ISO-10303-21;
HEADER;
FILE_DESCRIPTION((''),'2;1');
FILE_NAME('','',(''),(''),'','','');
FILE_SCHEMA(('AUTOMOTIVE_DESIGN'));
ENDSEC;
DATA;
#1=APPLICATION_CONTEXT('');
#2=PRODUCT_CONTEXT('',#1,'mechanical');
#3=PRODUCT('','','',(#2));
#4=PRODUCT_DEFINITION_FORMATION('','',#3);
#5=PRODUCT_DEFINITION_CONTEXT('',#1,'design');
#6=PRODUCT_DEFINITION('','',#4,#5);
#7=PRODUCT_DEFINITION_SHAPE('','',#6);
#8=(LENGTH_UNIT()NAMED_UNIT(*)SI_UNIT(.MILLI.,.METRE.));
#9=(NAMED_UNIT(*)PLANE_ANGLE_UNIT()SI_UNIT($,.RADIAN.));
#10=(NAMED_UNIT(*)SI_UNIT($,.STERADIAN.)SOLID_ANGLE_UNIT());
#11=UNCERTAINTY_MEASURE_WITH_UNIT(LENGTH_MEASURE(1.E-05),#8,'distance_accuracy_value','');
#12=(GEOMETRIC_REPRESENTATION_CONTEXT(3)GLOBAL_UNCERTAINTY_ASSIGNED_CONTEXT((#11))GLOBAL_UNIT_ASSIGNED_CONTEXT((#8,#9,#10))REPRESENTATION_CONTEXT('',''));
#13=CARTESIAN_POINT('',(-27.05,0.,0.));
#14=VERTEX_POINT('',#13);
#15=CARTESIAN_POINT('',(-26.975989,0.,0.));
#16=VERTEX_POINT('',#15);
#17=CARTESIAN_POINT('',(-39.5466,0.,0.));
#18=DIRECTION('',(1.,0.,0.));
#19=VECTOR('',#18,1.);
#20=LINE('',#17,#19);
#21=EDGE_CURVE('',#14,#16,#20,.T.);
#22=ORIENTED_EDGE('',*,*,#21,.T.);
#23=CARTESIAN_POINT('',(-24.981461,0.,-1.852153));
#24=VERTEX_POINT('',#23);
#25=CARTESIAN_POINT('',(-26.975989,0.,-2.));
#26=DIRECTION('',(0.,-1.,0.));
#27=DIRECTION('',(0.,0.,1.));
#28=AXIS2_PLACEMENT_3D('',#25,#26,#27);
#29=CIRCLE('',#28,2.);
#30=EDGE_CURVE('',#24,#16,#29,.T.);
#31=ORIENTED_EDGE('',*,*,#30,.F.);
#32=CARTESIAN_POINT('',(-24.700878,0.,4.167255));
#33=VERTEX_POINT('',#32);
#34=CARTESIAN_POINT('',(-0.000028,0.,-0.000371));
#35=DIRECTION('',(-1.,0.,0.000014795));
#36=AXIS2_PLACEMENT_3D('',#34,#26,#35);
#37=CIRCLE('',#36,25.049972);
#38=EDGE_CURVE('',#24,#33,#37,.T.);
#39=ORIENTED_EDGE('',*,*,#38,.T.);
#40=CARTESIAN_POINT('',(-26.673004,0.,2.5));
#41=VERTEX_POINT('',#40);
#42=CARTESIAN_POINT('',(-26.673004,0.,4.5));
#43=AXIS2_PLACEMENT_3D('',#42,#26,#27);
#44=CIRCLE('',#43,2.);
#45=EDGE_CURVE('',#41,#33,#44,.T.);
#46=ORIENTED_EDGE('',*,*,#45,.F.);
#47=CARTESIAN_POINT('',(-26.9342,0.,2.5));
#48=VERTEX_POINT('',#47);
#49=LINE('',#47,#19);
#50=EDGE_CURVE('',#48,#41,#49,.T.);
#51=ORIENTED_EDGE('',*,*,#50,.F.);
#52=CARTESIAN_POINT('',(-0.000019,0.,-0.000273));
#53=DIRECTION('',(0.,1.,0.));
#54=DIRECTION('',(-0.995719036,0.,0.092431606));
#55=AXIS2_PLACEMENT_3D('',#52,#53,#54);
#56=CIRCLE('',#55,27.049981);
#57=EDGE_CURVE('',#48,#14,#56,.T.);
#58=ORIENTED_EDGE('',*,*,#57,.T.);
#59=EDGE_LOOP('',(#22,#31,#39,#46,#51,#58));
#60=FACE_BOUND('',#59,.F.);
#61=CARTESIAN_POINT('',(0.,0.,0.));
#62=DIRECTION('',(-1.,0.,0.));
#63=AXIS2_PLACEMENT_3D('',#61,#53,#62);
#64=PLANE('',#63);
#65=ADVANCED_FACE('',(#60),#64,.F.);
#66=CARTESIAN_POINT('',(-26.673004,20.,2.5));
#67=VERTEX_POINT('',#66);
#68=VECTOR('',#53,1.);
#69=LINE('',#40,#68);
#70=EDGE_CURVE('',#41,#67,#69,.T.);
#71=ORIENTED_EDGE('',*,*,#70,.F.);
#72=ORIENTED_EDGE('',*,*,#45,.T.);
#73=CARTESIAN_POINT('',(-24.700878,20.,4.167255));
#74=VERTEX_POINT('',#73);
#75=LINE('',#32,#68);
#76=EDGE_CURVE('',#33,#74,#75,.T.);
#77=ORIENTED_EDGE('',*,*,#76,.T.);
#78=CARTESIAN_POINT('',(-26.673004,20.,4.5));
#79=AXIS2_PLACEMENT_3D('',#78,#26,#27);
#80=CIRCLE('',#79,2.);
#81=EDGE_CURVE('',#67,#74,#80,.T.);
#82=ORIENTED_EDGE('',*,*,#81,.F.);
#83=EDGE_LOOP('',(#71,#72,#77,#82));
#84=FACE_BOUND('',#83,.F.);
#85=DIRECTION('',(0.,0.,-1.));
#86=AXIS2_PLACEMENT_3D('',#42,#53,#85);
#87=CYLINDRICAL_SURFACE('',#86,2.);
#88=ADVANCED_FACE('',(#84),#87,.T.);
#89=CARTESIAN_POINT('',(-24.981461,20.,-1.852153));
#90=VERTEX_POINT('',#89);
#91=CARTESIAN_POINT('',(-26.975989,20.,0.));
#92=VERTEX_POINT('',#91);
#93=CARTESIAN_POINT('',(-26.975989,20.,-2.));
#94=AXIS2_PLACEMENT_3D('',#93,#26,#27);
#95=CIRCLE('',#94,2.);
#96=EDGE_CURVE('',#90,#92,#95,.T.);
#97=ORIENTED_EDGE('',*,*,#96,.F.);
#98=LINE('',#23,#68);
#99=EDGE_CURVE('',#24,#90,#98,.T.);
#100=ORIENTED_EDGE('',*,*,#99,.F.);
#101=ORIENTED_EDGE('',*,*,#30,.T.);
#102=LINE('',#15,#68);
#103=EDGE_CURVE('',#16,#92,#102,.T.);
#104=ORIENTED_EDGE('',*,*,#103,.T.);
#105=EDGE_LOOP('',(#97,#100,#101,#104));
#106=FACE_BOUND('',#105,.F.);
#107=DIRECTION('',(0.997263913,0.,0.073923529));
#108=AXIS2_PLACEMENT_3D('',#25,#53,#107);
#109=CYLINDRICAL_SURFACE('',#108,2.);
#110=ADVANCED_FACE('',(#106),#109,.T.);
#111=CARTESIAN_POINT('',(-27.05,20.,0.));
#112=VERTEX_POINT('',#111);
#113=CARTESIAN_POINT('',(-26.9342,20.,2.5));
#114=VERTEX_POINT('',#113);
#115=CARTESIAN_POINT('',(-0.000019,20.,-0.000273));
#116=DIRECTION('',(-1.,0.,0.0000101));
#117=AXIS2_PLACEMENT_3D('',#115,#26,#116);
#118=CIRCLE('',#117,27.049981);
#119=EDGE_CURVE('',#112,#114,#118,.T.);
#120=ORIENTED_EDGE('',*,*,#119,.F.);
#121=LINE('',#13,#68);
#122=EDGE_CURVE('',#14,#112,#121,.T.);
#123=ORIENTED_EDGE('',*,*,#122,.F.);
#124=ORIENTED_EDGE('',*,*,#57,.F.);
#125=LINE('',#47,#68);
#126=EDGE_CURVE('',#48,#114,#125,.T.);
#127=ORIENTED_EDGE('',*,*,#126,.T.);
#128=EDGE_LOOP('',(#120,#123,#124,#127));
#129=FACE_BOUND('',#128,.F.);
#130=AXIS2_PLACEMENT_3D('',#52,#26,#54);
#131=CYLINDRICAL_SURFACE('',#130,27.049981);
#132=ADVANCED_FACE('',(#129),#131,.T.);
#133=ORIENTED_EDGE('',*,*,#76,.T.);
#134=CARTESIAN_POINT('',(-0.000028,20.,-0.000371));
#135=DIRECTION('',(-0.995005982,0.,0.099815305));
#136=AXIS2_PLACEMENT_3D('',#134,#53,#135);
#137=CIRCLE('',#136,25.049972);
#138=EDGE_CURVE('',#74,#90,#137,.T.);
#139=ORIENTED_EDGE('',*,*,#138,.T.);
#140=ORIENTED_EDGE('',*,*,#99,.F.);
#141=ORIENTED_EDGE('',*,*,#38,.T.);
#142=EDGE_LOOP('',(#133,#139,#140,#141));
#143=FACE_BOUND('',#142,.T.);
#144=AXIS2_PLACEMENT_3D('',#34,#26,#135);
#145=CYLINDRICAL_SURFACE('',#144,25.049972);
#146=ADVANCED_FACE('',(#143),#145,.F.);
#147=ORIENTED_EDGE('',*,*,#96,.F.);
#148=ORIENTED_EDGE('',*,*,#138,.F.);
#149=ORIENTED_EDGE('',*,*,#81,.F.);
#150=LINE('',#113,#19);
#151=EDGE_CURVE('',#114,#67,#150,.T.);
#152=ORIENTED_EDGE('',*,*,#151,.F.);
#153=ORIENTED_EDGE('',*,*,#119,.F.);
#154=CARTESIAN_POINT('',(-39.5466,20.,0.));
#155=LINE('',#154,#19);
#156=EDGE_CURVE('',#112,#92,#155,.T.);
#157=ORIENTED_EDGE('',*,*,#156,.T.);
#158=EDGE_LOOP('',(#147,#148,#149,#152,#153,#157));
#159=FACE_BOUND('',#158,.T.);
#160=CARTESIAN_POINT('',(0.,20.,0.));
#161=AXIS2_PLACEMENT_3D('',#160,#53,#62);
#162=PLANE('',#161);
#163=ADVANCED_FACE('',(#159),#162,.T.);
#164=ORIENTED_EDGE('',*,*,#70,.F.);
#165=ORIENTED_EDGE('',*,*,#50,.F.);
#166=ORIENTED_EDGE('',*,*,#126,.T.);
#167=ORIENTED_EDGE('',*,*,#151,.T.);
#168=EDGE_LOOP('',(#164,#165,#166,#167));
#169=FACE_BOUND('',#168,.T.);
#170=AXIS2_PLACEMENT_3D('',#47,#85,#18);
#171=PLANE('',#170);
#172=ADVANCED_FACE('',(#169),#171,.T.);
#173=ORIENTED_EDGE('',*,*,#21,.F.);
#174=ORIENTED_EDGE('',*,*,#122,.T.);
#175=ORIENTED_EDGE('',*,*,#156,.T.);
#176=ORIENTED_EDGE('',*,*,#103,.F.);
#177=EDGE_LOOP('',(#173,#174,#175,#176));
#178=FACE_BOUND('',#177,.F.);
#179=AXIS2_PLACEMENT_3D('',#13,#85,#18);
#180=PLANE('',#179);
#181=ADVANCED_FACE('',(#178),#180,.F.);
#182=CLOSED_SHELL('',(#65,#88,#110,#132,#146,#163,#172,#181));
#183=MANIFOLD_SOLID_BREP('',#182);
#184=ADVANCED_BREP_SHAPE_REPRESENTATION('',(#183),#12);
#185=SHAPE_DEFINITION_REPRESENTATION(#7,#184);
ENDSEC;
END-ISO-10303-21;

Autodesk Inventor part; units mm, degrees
ref_plane "YZ Plane" through (0, 0, 0) normal (1, 0, 0) x (0, 1, 0)
ref_plane "XZ Plane" through (0, 0, 0) normal (0, 1, 0) x (-1, 0, 0)
ref_plane "XY Plane" through (0, 0, 0) normal (0, 0, 1) x (1, 0, 0)
sketch "スケッチ1" plane through (0, 0, 0) normal (0, 1, 0) x (-1, 0, 0)
  arc A0 (26.9342, 2.5) -> (27.05, 0) centre (0, 0) ccw
  arc A1 (24.9249, 2.5) -> (25.05, 0) centre (0, 0) ccw
  line L0 (26.9342, 2.5) -> (24.9249, 2.5)
  line L1 (39.5466, 0) -> (-39.5755, 0) projected
  dimension "d0" = 25.05
  dimension "d1" = 2
  dimension "d2" = 2.5
extrude "押し出し1" add sketch "スケッチ1" along normal blind 20 contours L0 A1 L1 A0 | L1 A1 A0
fillet "フィレット1" radius 2 2 edges at (-25.05, 10, 0) (-24.9249, 10, 2.5)
properties part number "Senban_zigu2"
